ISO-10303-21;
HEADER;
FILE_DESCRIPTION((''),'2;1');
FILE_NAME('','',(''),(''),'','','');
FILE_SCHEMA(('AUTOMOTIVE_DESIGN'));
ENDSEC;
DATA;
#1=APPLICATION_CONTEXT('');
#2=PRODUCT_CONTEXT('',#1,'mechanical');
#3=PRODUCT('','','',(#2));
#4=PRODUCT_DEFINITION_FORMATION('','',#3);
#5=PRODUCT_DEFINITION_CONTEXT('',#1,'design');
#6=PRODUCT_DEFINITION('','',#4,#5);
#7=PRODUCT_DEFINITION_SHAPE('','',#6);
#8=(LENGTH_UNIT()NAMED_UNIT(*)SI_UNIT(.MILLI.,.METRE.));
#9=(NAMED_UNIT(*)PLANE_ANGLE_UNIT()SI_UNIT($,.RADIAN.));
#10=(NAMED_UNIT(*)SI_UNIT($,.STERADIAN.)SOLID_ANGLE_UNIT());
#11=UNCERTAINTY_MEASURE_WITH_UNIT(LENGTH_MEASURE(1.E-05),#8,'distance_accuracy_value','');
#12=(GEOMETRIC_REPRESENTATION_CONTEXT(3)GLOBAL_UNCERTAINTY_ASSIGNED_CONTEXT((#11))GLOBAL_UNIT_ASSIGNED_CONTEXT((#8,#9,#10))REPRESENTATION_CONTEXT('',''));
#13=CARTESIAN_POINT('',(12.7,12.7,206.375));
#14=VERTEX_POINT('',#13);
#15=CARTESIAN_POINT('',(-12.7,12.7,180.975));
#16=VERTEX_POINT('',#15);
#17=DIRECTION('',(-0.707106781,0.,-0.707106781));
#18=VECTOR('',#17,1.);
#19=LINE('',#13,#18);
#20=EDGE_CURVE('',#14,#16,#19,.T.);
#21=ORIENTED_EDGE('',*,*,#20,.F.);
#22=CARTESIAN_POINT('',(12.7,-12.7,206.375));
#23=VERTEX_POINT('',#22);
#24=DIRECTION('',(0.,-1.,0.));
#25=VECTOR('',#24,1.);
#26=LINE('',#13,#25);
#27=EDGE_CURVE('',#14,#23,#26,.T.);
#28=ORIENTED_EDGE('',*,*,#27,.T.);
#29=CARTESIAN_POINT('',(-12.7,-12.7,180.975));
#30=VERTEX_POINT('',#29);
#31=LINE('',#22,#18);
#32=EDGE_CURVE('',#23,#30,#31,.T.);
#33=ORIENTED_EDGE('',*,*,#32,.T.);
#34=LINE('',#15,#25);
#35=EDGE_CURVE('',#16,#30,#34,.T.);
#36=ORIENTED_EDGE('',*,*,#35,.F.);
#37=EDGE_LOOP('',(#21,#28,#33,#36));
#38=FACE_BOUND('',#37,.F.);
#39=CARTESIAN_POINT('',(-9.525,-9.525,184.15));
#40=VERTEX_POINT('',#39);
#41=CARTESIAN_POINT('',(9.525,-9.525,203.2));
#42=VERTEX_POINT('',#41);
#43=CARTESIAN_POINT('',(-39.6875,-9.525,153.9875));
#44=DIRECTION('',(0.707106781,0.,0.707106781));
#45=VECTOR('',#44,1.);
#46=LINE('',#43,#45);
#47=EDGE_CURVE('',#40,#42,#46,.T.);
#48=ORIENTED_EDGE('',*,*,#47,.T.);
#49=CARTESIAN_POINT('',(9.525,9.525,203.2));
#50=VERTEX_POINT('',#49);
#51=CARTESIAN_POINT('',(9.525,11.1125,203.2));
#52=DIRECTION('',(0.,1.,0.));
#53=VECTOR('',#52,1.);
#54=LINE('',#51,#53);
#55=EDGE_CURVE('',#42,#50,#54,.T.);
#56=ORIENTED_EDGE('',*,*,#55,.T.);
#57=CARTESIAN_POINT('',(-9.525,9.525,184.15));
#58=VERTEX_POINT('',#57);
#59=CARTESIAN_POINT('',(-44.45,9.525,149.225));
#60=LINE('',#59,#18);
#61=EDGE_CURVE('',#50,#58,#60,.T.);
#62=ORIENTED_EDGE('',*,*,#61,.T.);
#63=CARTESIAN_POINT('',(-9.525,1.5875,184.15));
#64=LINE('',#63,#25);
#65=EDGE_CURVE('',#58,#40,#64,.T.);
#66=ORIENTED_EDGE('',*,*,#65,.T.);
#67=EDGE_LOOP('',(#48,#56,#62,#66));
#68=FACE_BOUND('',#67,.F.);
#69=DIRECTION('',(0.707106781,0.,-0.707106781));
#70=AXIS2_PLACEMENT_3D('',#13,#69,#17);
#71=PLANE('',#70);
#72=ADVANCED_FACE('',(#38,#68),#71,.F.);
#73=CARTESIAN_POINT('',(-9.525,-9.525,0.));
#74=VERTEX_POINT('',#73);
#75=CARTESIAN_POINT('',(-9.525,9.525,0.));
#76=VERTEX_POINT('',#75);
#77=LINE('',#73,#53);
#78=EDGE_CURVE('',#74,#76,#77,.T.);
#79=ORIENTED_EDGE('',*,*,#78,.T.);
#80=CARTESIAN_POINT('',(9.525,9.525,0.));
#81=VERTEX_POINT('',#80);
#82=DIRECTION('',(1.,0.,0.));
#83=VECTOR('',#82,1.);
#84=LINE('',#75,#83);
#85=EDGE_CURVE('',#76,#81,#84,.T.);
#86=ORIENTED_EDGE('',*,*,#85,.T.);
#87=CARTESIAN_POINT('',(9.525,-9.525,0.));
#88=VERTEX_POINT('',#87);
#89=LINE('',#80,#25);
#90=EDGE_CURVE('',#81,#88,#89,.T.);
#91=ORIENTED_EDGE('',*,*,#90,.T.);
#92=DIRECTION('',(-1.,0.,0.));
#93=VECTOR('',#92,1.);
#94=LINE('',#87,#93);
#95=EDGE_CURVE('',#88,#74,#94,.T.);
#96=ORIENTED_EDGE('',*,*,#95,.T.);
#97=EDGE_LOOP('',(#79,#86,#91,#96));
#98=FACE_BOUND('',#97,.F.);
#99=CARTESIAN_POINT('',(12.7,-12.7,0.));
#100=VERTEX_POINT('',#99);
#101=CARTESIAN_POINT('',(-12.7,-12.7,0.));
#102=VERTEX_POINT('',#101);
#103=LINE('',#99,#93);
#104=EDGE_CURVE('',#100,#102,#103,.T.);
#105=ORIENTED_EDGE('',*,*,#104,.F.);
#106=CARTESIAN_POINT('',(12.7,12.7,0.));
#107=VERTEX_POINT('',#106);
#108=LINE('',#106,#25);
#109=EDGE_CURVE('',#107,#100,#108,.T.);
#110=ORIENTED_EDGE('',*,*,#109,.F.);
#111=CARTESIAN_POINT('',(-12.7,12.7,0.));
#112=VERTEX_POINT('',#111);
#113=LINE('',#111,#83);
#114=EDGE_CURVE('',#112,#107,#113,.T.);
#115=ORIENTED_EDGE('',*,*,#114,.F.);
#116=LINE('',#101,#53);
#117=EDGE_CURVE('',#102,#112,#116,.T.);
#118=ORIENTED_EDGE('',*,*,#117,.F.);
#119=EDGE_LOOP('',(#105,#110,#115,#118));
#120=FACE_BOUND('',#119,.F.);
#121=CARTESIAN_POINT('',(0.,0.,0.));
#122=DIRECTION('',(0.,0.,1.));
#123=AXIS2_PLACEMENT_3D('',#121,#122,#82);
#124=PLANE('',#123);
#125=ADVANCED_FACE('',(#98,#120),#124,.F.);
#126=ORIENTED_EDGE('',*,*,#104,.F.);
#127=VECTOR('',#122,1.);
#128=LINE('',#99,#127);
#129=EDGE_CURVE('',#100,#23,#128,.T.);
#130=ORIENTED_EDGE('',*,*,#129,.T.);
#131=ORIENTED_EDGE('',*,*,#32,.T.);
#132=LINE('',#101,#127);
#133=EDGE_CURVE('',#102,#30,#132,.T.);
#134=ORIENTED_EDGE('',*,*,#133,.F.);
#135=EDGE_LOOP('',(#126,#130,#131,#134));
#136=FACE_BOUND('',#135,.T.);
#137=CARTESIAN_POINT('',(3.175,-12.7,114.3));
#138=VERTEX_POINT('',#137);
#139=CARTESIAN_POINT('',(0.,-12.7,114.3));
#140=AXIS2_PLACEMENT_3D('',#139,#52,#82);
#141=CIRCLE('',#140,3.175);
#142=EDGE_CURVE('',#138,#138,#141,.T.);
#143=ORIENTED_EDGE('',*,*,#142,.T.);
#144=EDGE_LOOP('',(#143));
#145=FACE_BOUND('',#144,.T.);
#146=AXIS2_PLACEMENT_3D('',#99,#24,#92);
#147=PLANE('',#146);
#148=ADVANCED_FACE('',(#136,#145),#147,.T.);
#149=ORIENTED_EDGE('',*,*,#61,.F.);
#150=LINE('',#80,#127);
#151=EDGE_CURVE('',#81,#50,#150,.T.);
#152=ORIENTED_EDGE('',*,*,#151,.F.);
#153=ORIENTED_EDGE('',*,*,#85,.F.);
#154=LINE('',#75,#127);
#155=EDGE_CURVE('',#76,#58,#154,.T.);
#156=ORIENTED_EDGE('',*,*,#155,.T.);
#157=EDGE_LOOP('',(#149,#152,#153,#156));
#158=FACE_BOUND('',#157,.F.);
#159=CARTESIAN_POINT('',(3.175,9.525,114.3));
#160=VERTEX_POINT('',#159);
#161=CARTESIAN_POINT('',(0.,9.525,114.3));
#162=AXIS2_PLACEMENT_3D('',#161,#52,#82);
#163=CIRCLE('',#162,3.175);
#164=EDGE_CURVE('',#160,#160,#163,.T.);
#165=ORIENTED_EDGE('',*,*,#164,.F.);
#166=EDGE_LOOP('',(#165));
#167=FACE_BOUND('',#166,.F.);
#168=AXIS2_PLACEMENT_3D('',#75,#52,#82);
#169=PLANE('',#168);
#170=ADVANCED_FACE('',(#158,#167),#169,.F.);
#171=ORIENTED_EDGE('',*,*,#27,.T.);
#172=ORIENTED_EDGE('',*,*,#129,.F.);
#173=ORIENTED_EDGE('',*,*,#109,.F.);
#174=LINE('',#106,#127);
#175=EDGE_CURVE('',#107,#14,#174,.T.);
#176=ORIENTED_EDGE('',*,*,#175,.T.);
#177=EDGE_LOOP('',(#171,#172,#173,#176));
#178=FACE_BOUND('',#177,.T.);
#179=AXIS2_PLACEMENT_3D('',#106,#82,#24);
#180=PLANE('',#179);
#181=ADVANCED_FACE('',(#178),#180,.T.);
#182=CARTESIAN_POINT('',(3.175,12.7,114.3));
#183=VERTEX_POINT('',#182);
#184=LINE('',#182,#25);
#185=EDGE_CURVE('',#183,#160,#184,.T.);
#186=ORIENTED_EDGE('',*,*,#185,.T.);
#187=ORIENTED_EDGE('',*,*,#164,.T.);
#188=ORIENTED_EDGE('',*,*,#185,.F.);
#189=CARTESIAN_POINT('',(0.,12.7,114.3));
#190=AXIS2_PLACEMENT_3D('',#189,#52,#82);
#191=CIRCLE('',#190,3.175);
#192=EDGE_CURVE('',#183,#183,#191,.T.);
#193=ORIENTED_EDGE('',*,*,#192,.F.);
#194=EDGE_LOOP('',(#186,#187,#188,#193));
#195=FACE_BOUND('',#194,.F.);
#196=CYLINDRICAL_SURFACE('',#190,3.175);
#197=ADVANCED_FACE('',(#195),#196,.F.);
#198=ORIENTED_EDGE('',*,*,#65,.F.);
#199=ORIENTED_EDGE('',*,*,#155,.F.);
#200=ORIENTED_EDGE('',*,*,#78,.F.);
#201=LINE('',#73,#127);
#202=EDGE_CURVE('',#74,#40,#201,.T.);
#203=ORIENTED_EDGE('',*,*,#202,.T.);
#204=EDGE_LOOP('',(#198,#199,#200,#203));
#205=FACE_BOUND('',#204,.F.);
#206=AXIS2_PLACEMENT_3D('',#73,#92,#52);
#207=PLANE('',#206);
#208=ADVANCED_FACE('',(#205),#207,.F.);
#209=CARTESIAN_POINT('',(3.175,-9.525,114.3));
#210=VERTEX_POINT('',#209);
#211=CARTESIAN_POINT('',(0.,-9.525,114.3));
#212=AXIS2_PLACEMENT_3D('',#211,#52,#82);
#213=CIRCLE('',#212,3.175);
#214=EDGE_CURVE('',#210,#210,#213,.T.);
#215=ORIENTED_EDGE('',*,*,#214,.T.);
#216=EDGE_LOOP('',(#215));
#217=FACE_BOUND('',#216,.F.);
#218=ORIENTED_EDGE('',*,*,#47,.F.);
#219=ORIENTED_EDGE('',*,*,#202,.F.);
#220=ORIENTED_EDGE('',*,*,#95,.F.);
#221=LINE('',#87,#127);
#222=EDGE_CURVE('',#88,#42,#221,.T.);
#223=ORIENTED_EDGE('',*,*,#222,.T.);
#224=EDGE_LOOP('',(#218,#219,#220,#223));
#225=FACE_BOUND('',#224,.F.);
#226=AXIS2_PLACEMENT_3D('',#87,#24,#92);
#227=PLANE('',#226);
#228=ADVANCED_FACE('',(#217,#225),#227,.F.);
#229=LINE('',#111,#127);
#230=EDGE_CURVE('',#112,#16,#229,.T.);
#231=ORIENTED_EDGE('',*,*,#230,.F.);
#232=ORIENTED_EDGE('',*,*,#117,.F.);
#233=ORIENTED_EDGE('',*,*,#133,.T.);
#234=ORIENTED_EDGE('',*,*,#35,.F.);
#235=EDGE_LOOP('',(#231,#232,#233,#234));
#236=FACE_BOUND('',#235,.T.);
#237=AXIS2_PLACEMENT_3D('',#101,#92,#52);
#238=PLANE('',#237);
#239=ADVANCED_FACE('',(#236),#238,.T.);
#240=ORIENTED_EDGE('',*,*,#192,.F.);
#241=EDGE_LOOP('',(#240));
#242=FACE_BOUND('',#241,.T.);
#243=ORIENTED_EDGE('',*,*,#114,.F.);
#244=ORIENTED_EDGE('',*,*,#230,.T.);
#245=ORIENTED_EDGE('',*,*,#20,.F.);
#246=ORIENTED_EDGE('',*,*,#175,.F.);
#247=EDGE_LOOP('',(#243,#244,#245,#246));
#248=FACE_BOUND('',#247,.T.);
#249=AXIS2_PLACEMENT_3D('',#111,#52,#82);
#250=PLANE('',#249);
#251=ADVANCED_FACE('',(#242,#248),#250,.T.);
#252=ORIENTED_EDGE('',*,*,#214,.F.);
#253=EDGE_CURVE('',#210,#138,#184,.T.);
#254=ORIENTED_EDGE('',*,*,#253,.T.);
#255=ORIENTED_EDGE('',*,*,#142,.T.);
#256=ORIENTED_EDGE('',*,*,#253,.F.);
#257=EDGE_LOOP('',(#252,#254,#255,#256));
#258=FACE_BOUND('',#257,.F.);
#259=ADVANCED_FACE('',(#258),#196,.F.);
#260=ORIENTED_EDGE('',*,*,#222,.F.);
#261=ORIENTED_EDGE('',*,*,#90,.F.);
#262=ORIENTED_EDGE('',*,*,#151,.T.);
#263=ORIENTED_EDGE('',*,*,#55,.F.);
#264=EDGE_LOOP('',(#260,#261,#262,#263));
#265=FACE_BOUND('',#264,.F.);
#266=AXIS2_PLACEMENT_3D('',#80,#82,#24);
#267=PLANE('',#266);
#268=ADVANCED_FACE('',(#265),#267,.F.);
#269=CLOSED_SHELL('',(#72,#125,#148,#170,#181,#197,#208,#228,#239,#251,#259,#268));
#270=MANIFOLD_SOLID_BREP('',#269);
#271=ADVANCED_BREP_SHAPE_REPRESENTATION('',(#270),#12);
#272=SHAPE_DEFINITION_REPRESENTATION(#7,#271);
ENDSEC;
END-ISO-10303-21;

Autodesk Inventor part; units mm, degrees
ref_plane "YZ Plane" through (0, 0, 0) normal (1, 0, 0) x (0, 1, 0)
ref_plane "XZ Plane" through (0, 0, 0) normal (0, 1, 0) x (-1, 0, 0)
ref_plane "XY Plane" through (0, 0, 0) normal (0, 0, 1) x (1, 0, 0)
sketch "Sketch1" plane through (0, 0, 0) normal (0, 0, 1) x (1, 0, 0)
  line L0 (-12.7, 12.7) -> (12.7, 12.7)
  line L1 (12.7, 12.7) -> (12.7, -12.7)
  line L2 (12.7, -12.7) -> (-12.7, -12.7)
  line L3 (-12.7, -12.7) -> (-12.7, 12.7)
  line L4 (-9.525, 9.525) -> (9.525, 9.525)
  line L5 (9.525, 9.525) -> (9.525, -9.525)
  line L6 (9.525, -9.525) -> (-9.525, -9.525)
  line L7 (-9.525, -9.525) -> (-9.525, 9.525)
  point P0 (0, 0)
  dimension "d0" = 25.4
  dimension "d1" = 25.4
  dimension "d2" = 12.7
  dimension "d3" = 12.7
  dimension "d4" = 3.175
  dimension "d5" = 3.175
  dimension "d6" = 3.175
  dimension "d7" = 3.175
extrude "Extrusion1" add sketch "Sketch1" along normal blind 206.375
sketch "Sketch4" plane through (-12.7, 12.7, 0) normal (0, 1, 0) x (1, 0, 0)
  line L0 (0, -206.375) -> (25.4, -206.375) projected
  line L1 (0, 0) -> (0, -206.375) projected
  line L2 (25.4, -206.375) -> (0, -180.975)
  point P0 (12.7, 0)
  dimension "d16" = 45
extrude "Extrusion4" cut sketch "Sketch4" against normal blind 25.4
sketch "Sketch5" plane through (-12.7, 12.7, 0) normal (0, 1, 0) x (1, 0, 0)
  line L0 (25.4, 0) -> (25.4, -206.375) projected
  line L1 (0, 0) -> (25.4, 0) projected
  circle A0 centre (12.7, -114.3) radius 3.175
  point P0 (12.7, 0)
  dimension "d19" = 114.3
  dimension "d20" = 12.7
  dimension "d21" = 6.35
extrude "Extrusion5" cut sketch "Sketch5" against normal blind 25.4
properties part number "edge frame tube1"
